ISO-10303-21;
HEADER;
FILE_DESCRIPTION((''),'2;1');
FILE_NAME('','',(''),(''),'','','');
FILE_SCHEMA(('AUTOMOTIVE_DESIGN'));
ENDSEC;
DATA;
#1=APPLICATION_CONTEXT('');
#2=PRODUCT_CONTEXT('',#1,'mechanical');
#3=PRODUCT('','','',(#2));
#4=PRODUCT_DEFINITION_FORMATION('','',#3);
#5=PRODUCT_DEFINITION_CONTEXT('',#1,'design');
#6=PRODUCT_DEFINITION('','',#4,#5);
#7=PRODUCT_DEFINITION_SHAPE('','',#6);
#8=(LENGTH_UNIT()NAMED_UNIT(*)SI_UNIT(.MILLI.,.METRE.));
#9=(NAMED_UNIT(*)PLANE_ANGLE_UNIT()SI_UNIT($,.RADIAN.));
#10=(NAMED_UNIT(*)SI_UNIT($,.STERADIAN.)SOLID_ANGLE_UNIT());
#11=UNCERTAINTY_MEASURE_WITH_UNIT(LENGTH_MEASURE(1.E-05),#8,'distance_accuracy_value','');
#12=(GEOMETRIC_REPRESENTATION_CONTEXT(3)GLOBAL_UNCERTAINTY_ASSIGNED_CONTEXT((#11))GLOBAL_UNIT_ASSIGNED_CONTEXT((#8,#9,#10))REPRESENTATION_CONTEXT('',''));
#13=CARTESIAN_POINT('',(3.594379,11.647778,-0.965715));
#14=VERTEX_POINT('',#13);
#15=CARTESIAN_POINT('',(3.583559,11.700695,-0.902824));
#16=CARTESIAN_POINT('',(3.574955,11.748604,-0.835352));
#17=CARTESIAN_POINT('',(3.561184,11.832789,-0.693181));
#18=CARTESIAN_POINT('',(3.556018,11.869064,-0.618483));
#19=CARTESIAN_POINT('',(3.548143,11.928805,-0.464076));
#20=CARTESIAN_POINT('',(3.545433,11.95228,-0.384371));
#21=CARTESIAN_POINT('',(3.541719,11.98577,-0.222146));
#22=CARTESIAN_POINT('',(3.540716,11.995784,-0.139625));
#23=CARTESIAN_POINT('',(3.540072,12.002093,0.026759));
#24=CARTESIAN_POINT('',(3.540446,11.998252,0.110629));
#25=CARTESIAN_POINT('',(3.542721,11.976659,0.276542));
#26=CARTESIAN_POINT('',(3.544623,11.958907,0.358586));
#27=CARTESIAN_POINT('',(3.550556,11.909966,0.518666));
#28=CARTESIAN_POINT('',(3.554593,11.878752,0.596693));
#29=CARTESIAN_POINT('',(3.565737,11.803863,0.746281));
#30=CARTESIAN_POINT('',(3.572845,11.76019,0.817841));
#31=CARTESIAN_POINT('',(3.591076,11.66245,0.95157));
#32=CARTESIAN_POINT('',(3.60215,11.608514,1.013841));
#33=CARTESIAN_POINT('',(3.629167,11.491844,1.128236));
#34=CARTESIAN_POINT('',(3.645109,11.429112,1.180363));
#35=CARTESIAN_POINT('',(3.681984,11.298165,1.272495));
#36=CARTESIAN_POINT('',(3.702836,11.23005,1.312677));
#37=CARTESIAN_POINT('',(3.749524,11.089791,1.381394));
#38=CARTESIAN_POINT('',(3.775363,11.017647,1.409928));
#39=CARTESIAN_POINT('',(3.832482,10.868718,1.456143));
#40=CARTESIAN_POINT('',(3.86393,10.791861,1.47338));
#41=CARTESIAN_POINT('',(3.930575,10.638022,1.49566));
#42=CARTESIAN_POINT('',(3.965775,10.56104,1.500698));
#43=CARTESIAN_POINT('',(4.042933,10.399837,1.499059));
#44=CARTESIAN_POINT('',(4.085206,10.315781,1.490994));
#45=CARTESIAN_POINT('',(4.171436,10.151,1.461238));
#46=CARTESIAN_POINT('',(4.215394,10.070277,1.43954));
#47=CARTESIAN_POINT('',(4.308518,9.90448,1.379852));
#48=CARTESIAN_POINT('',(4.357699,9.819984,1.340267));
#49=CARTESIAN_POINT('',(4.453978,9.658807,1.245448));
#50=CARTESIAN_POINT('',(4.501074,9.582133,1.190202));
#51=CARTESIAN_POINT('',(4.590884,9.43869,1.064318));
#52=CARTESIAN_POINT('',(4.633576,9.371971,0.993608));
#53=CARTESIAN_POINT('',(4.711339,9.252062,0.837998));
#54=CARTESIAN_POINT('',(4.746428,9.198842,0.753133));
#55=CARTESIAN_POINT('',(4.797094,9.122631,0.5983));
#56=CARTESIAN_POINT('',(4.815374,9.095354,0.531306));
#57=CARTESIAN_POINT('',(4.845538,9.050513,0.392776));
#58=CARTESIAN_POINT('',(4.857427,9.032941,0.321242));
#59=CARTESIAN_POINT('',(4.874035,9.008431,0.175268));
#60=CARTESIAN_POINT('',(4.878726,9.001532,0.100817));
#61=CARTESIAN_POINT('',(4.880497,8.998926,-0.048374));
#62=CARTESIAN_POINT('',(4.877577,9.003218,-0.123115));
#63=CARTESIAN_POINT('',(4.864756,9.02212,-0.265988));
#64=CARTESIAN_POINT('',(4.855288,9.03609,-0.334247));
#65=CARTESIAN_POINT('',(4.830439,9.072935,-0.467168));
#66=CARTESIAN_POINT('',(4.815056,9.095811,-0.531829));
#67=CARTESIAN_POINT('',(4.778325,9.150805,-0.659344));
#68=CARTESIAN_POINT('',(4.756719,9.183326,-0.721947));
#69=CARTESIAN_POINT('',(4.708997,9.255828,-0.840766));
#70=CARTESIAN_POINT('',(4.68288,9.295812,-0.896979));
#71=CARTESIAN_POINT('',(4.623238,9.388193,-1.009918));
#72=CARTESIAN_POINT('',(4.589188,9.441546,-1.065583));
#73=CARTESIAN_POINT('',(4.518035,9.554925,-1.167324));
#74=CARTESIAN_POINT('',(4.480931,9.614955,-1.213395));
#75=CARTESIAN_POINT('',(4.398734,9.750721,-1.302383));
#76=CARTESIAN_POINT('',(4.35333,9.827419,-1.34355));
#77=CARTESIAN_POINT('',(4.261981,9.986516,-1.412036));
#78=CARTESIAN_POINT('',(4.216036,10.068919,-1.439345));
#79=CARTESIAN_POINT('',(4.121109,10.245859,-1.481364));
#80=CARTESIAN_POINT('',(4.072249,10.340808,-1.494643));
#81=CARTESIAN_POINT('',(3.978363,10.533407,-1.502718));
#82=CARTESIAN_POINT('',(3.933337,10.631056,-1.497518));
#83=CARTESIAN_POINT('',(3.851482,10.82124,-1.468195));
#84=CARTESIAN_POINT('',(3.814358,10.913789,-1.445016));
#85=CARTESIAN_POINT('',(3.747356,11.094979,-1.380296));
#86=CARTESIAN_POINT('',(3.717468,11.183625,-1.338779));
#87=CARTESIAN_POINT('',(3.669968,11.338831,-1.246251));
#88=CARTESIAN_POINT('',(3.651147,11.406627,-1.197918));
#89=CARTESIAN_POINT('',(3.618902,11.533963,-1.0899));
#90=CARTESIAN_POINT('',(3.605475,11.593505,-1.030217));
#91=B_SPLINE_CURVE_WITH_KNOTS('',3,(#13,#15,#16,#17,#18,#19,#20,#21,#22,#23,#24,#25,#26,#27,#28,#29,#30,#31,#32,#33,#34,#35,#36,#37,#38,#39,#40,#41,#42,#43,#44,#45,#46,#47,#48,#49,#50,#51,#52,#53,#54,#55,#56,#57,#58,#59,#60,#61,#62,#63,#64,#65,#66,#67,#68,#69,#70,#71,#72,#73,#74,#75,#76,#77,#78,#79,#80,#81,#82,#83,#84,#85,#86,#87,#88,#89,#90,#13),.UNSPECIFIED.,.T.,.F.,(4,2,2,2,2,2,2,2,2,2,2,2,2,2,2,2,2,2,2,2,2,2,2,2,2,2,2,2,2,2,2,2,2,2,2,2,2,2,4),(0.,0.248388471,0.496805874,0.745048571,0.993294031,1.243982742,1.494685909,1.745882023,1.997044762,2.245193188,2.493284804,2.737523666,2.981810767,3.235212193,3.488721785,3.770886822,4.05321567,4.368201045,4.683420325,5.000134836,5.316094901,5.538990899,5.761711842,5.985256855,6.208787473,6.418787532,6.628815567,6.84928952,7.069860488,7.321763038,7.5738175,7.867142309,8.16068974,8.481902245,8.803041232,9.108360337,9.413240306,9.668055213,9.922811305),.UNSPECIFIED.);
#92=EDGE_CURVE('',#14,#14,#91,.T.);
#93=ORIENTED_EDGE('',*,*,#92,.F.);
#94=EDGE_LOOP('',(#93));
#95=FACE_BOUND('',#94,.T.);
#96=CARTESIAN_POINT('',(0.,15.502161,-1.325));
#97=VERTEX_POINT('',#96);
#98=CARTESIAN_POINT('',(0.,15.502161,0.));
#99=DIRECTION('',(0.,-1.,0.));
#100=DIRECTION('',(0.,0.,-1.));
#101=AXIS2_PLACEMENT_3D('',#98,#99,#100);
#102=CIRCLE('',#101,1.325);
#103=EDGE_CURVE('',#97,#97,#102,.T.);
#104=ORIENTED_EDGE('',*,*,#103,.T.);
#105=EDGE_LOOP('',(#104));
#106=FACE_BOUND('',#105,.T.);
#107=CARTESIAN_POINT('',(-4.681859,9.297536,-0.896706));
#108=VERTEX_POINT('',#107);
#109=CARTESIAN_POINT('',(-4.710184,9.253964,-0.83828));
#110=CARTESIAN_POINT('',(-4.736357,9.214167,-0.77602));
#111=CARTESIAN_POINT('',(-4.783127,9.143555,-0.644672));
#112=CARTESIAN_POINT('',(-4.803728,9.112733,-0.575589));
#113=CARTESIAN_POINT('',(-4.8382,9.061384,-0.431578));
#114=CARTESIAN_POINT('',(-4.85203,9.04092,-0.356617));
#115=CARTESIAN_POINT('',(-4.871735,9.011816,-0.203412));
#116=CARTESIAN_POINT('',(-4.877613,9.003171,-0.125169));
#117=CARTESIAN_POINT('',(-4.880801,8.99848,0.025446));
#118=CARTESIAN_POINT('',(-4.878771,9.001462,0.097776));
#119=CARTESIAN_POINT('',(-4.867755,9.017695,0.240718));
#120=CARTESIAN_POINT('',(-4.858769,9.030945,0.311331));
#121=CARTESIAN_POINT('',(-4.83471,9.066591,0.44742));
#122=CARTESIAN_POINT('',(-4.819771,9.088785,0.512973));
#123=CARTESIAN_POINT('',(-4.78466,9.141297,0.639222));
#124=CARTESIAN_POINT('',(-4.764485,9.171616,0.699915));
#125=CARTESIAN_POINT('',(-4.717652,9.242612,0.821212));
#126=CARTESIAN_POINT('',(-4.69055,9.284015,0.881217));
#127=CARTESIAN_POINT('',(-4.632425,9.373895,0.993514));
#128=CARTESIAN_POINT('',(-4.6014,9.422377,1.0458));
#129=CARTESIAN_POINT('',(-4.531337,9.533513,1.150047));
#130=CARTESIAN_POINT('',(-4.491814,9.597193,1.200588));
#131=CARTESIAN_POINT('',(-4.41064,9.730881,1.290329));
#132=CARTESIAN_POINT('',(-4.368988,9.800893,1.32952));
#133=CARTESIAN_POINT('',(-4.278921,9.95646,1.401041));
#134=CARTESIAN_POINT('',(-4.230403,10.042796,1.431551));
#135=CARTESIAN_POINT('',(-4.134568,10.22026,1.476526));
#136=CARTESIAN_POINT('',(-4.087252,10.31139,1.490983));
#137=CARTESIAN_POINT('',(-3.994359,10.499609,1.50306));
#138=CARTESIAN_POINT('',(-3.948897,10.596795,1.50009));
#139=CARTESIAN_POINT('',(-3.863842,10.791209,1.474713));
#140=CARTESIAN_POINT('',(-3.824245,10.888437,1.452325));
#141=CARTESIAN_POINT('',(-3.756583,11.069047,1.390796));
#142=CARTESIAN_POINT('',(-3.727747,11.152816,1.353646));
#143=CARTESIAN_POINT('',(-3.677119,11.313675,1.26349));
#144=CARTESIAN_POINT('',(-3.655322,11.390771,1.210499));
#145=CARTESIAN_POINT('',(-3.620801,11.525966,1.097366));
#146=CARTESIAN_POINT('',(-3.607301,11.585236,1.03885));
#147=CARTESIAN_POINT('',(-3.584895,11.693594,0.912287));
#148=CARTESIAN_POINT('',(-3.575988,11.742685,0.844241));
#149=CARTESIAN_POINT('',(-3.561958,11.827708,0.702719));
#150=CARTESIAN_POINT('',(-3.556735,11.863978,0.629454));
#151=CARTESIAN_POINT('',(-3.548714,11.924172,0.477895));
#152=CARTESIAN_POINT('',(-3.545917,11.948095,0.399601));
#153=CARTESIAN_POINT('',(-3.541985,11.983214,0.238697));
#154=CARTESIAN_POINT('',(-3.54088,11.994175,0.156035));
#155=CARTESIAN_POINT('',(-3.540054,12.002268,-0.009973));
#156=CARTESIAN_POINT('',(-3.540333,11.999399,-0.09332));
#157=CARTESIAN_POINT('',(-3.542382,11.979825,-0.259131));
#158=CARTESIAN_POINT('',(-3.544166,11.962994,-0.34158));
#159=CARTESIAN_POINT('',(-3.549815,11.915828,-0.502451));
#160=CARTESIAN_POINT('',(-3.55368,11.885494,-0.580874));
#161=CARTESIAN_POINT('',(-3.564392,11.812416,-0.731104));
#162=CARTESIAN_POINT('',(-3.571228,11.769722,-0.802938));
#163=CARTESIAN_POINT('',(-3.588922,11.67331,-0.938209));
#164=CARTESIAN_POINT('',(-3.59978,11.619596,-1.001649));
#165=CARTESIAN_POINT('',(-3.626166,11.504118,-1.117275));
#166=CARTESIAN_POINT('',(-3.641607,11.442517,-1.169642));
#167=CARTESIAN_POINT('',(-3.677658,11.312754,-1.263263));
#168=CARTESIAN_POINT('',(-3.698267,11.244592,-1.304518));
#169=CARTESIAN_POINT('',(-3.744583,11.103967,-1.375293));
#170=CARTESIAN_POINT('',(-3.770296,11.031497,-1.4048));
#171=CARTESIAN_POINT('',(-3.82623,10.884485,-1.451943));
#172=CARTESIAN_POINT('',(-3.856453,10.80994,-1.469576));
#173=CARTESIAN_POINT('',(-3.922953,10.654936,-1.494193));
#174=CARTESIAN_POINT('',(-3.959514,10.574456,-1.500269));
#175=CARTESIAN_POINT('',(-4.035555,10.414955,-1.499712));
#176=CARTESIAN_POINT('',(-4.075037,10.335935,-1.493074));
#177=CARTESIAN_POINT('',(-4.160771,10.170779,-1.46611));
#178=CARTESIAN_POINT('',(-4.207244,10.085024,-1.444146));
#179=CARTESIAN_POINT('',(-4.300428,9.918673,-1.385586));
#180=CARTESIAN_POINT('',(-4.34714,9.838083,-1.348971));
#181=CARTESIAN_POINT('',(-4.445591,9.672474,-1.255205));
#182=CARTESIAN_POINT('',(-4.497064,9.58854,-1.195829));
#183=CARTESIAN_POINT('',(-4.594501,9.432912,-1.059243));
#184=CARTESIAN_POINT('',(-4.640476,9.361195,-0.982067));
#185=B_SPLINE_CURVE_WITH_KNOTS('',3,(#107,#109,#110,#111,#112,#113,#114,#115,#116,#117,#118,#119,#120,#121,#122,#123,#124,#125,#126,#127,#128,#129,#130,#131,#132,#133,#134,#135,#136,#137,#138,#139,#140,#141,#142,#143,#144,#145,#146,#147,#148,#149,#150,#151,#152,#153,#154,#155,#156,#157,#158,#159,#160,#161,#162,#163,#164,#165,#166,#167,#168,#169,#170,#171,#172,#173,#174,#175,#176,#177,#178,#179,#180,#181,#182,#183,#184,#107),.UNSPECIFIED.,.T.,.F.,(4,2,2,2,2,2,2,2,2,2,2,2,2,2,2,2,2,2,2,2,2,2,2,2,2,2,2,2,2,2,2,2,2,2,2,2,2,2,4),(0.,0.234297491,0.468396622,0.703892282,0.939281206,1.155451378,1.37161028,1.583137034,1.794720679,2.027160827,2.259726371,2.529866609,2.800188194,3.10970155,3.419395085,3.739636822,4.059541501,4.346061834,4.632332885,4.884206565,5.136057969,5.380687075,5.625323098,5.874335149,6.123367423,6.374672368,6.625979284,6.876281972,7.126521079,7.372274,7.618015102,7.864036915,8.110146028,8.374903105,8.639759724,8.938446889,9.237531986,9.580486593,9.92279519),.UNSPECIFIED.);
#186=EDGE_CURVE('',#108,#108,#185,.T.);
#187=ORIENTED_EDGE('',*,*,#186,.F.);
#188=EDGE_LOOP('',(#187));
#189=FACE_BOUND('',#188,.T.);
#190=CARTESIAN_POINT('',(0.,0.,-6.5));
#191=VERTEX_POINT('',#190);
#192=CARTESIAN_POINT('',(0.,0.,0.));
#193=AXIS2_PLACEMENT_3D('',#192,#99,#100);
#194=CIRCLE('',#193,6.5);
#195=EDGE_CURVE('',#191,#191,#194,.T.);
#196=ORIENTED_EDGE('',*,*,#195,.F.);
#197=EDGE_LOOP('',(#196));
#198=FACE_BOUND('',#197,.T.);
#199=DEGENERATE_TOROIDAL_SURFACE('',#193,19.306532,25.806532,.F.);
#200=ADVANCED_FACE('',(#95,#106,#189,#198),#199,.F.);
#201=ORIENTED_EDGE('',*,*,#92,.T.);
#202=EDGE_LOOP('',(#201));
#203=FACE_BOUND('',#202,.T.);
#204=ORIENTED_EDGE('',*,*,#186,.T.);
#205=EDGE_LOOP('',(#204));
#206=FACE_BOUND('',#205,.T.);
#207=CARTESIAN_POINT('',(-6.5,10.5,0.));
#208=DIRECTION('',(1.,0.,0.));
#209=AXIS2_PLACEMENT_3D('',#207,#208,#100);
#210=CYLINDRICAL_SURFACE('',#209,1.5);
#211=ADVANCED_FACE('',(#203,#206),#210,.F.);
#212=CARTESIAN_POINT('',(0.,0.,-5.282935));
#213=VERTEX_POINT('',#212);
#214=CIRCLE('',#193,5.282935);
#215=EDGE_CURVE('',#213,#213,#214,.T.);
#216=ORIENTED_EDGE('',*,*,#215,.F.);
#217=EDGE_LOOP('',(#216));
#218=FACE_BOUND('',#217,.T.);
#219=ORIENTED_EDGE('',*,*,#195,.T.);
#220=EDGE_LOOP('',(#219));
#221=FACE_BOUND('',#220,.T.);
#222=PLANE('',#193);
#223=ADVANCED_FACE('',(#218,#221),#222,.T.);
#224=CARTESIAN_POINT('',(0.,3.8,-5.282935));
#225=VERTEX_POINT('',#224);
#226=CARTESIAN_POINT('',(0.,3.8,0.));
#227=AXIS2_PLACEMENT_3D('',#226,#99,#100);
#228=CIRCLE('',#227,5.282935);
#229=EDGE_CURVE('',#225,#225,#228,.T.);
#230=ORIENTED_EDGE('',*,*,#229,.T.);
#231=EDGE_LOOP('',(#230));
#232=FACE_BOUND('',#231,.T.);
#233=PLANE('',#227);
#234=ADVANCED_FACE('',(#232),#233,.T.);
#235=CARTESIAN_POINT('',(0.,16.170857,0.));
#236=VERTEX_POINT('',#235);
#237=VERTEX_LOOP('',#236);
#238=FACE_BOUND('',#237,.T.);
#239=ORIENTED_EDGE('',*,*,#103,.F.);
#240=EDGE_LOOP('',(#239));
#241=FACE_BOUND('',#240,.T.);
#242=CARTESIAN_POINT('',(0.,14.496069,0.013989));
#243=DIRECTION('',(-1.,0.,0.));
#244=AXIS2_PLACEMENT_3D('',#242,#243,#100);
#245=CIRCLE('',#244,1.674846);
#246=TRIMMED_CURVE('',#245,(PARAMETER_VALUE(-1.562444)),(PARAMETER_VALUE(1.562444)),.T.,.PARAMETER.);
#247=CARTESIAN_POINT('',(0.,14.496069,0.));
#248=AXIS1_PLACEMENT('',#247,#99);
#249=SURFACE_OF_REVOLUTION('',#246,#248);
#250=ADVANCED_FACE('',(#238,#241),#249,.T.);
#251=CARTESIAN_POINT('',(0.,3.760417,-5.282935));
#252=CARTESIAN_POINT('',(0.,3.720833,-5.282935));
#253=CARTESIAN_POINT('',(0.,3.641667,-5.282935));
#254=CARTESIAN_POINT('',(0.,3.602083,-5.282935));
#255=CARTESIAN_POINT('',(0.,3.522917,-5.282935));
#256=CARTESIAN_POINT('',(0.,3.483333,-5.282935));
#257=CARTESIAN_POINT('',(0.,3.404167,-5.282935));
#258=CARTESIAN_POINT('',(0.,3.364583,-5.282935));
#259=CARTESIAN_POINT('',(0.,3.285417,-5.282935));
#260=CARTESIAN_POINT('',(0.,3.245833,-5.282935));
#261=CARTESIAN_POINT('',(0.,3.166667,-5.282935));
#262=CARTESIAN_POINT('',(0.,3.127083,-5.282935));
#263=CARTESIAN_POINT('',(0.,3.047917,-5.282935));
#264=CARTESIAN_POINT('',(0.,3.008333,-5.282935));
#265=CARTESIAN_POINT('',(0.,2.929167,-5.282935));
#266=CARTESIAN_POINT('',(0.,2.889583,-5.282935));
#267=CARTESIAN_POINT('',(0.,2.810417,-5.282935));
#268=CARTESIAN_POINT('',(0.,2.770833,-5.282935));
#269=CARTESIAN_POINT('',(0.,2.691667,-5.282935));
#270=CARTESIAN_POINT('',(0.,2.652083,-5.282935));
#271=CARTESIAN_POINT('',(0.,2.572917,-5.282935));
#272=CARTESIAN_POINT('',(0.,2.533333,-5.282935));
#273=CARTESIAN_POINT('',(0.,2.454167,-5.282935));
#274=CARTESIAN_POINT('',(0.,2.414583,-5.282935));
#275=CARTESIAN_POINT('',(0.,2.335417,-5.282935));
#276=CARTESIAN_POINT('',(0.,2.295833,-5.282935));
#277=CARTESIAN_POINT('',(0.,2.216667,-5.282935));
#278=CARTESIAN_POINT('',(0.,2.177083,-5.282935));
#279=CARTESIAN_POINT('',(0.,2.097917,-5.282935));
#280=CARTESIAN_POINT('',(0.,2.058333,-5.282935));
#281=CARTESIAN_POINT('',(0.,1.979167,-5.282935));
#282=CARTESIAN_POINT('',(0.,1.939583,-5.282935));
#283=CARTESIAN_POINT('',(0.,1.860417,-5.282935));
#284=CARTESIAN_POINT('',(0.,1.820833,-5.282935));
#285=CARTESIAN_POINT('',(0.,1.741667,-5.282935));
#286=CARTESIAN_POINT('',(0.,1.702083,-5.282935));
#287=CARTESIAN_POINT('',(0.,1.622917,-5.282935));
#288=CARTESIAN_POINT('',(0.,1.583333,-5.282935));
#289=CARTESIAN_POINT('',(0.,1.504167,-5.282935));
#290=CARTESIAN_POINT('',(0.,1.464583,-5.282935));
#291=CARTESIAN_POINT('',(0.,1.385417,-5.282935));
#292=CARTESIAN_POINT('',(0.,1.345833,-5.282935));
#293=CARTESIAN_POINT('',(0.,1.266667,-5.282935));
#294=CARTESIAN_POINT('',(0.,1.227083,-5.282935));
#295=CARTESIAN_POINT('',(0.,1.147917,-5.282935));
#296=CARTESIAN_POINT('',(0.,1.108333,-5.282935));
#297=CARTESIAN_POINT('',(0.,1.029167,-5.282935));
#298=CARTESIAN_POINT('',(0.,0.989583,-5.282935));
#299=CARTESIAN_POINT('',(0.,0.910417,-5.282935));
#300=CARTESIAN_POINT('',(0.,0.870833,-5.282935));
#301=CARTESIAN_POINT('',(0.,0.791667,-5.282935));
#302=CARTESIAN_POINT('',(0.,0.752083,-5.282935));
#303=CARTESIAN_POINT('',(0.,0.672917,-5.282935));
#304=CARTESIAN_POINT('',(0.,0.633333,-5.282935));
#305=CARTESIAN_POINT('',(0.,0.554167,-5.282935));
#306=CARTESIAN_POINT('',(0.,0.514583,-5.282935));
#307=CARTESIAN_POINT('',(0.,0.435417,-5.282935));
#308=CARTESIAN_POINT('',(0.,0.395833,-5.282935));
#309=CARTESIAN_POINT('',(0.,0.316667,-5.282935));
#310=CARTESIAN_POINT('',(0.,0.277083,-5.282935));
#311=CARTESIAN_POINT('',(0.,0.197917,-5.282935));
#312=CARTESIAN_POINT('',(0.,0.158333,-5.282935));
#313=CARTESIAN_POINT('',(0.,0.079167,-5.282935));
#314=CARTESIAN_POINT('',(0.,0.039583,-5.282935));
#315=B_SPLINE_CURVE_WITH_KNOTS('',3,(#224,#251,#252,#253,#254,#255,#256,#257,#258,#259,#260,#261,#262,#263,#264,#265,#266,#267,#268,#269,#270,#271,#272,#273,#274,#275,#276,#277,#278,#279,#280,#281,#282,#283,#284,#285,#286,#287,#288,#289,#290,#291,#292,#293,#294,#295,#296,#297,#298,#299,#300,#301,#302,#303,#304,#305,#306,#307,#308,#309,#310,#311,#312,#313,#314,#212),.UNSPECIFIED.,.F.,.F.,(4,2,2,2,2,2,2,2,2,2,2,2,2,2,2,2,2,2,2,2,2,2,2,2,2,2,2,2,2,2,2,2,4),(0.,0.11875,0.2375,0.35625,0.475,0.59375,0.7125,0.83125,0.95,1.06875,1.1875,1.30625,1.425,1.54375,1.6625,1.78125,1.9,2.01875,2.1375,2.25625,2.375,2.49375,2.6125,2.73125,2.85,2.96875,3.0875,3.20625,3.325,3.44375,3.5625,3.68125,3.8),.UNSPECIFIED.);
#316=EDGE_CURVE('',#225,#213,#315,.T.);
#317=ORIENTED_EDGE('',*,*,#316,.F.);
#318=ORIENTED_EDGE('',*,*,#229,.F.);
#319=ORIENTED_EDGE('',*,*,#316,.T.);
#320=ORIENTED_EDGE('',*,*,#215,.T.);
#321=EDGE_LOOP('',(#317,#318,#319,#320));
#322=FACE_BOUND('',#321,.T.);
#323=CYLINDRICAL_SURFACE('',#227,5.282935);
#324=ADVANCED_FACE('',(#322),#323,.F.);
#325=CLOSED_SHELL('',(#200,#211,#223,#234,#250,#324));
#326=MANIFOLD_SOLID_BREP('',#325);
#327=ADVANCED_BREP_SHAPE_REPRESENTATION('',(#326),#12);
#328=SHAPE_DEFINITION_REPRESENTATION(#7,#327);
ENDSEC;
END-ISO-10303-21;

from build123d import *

# Parameters (mm, degrees)
SKETCH2_R               = 5.282935157
CUT_EXTRUDE1_DEPTH      = 3.8
CUT_EXTRUDE2_DEPTH      = 19.600984372
CUT_EXTRUDE2_DEPTH_BACK = 19.600984372
SKETCH3_R               = 1.5


with BuildPart() as part:
    # Sketch1 → Revolve1 (revolve)
    with BuildSketch(Plane(origin=(0, 0, 0), x_dir=(0, 0, -1), z_dir=(1, 0, 0))):
        with BuildLine():
            Line((0, 0), (6.5, 0))
            ThreePointArc((6.5, 0), (5.172084989, 8.171560643), (1.324999798, 15.502160698))
            ThreePointArc((1.324999798, 15.502160698), (0.740614183, 15.991289723), (0, 16.170856928))
            Line((0, 16.170856928), (0, 0))
        make_face()
    revolve(axis=Axis((0, 0, 0), (0, 1, 0)))

    # Sketch2 → Cut-Extrude1 (cut)
    with BuildSketch(Plane.XZ):
        with Locations(Location((0, 0, 0), (0, 0, 270))):
            Circle(SKETCH2_R)
    extrude(amount=-CUT_EXTRUDE1_DEPTH, mode=Mode.SUBTRACT)

    # Sketch3 → Cut-Extrude2 (cut, two sides: drawn at the far end of the back side and taken through both)
    with BuildSketch(Plane(origin=(0, 0, 0), x_dir=(0, 0, -1), z_dir=(1, 0, 0)).offset(-CUT_EXTRUDE2_DEPTH_BACK)):
        with Locations(Location((0, 10.5, 0), (0, 0, 49.923498867))):
            Circle(SKETCH3_R)
    extrude(amount=CUT_EXTRUDE2_DEPTH + CUT_EXTRUDE2_DEPTH_BACK, mode=Mode.SUBTRACT)


solid = part.part
